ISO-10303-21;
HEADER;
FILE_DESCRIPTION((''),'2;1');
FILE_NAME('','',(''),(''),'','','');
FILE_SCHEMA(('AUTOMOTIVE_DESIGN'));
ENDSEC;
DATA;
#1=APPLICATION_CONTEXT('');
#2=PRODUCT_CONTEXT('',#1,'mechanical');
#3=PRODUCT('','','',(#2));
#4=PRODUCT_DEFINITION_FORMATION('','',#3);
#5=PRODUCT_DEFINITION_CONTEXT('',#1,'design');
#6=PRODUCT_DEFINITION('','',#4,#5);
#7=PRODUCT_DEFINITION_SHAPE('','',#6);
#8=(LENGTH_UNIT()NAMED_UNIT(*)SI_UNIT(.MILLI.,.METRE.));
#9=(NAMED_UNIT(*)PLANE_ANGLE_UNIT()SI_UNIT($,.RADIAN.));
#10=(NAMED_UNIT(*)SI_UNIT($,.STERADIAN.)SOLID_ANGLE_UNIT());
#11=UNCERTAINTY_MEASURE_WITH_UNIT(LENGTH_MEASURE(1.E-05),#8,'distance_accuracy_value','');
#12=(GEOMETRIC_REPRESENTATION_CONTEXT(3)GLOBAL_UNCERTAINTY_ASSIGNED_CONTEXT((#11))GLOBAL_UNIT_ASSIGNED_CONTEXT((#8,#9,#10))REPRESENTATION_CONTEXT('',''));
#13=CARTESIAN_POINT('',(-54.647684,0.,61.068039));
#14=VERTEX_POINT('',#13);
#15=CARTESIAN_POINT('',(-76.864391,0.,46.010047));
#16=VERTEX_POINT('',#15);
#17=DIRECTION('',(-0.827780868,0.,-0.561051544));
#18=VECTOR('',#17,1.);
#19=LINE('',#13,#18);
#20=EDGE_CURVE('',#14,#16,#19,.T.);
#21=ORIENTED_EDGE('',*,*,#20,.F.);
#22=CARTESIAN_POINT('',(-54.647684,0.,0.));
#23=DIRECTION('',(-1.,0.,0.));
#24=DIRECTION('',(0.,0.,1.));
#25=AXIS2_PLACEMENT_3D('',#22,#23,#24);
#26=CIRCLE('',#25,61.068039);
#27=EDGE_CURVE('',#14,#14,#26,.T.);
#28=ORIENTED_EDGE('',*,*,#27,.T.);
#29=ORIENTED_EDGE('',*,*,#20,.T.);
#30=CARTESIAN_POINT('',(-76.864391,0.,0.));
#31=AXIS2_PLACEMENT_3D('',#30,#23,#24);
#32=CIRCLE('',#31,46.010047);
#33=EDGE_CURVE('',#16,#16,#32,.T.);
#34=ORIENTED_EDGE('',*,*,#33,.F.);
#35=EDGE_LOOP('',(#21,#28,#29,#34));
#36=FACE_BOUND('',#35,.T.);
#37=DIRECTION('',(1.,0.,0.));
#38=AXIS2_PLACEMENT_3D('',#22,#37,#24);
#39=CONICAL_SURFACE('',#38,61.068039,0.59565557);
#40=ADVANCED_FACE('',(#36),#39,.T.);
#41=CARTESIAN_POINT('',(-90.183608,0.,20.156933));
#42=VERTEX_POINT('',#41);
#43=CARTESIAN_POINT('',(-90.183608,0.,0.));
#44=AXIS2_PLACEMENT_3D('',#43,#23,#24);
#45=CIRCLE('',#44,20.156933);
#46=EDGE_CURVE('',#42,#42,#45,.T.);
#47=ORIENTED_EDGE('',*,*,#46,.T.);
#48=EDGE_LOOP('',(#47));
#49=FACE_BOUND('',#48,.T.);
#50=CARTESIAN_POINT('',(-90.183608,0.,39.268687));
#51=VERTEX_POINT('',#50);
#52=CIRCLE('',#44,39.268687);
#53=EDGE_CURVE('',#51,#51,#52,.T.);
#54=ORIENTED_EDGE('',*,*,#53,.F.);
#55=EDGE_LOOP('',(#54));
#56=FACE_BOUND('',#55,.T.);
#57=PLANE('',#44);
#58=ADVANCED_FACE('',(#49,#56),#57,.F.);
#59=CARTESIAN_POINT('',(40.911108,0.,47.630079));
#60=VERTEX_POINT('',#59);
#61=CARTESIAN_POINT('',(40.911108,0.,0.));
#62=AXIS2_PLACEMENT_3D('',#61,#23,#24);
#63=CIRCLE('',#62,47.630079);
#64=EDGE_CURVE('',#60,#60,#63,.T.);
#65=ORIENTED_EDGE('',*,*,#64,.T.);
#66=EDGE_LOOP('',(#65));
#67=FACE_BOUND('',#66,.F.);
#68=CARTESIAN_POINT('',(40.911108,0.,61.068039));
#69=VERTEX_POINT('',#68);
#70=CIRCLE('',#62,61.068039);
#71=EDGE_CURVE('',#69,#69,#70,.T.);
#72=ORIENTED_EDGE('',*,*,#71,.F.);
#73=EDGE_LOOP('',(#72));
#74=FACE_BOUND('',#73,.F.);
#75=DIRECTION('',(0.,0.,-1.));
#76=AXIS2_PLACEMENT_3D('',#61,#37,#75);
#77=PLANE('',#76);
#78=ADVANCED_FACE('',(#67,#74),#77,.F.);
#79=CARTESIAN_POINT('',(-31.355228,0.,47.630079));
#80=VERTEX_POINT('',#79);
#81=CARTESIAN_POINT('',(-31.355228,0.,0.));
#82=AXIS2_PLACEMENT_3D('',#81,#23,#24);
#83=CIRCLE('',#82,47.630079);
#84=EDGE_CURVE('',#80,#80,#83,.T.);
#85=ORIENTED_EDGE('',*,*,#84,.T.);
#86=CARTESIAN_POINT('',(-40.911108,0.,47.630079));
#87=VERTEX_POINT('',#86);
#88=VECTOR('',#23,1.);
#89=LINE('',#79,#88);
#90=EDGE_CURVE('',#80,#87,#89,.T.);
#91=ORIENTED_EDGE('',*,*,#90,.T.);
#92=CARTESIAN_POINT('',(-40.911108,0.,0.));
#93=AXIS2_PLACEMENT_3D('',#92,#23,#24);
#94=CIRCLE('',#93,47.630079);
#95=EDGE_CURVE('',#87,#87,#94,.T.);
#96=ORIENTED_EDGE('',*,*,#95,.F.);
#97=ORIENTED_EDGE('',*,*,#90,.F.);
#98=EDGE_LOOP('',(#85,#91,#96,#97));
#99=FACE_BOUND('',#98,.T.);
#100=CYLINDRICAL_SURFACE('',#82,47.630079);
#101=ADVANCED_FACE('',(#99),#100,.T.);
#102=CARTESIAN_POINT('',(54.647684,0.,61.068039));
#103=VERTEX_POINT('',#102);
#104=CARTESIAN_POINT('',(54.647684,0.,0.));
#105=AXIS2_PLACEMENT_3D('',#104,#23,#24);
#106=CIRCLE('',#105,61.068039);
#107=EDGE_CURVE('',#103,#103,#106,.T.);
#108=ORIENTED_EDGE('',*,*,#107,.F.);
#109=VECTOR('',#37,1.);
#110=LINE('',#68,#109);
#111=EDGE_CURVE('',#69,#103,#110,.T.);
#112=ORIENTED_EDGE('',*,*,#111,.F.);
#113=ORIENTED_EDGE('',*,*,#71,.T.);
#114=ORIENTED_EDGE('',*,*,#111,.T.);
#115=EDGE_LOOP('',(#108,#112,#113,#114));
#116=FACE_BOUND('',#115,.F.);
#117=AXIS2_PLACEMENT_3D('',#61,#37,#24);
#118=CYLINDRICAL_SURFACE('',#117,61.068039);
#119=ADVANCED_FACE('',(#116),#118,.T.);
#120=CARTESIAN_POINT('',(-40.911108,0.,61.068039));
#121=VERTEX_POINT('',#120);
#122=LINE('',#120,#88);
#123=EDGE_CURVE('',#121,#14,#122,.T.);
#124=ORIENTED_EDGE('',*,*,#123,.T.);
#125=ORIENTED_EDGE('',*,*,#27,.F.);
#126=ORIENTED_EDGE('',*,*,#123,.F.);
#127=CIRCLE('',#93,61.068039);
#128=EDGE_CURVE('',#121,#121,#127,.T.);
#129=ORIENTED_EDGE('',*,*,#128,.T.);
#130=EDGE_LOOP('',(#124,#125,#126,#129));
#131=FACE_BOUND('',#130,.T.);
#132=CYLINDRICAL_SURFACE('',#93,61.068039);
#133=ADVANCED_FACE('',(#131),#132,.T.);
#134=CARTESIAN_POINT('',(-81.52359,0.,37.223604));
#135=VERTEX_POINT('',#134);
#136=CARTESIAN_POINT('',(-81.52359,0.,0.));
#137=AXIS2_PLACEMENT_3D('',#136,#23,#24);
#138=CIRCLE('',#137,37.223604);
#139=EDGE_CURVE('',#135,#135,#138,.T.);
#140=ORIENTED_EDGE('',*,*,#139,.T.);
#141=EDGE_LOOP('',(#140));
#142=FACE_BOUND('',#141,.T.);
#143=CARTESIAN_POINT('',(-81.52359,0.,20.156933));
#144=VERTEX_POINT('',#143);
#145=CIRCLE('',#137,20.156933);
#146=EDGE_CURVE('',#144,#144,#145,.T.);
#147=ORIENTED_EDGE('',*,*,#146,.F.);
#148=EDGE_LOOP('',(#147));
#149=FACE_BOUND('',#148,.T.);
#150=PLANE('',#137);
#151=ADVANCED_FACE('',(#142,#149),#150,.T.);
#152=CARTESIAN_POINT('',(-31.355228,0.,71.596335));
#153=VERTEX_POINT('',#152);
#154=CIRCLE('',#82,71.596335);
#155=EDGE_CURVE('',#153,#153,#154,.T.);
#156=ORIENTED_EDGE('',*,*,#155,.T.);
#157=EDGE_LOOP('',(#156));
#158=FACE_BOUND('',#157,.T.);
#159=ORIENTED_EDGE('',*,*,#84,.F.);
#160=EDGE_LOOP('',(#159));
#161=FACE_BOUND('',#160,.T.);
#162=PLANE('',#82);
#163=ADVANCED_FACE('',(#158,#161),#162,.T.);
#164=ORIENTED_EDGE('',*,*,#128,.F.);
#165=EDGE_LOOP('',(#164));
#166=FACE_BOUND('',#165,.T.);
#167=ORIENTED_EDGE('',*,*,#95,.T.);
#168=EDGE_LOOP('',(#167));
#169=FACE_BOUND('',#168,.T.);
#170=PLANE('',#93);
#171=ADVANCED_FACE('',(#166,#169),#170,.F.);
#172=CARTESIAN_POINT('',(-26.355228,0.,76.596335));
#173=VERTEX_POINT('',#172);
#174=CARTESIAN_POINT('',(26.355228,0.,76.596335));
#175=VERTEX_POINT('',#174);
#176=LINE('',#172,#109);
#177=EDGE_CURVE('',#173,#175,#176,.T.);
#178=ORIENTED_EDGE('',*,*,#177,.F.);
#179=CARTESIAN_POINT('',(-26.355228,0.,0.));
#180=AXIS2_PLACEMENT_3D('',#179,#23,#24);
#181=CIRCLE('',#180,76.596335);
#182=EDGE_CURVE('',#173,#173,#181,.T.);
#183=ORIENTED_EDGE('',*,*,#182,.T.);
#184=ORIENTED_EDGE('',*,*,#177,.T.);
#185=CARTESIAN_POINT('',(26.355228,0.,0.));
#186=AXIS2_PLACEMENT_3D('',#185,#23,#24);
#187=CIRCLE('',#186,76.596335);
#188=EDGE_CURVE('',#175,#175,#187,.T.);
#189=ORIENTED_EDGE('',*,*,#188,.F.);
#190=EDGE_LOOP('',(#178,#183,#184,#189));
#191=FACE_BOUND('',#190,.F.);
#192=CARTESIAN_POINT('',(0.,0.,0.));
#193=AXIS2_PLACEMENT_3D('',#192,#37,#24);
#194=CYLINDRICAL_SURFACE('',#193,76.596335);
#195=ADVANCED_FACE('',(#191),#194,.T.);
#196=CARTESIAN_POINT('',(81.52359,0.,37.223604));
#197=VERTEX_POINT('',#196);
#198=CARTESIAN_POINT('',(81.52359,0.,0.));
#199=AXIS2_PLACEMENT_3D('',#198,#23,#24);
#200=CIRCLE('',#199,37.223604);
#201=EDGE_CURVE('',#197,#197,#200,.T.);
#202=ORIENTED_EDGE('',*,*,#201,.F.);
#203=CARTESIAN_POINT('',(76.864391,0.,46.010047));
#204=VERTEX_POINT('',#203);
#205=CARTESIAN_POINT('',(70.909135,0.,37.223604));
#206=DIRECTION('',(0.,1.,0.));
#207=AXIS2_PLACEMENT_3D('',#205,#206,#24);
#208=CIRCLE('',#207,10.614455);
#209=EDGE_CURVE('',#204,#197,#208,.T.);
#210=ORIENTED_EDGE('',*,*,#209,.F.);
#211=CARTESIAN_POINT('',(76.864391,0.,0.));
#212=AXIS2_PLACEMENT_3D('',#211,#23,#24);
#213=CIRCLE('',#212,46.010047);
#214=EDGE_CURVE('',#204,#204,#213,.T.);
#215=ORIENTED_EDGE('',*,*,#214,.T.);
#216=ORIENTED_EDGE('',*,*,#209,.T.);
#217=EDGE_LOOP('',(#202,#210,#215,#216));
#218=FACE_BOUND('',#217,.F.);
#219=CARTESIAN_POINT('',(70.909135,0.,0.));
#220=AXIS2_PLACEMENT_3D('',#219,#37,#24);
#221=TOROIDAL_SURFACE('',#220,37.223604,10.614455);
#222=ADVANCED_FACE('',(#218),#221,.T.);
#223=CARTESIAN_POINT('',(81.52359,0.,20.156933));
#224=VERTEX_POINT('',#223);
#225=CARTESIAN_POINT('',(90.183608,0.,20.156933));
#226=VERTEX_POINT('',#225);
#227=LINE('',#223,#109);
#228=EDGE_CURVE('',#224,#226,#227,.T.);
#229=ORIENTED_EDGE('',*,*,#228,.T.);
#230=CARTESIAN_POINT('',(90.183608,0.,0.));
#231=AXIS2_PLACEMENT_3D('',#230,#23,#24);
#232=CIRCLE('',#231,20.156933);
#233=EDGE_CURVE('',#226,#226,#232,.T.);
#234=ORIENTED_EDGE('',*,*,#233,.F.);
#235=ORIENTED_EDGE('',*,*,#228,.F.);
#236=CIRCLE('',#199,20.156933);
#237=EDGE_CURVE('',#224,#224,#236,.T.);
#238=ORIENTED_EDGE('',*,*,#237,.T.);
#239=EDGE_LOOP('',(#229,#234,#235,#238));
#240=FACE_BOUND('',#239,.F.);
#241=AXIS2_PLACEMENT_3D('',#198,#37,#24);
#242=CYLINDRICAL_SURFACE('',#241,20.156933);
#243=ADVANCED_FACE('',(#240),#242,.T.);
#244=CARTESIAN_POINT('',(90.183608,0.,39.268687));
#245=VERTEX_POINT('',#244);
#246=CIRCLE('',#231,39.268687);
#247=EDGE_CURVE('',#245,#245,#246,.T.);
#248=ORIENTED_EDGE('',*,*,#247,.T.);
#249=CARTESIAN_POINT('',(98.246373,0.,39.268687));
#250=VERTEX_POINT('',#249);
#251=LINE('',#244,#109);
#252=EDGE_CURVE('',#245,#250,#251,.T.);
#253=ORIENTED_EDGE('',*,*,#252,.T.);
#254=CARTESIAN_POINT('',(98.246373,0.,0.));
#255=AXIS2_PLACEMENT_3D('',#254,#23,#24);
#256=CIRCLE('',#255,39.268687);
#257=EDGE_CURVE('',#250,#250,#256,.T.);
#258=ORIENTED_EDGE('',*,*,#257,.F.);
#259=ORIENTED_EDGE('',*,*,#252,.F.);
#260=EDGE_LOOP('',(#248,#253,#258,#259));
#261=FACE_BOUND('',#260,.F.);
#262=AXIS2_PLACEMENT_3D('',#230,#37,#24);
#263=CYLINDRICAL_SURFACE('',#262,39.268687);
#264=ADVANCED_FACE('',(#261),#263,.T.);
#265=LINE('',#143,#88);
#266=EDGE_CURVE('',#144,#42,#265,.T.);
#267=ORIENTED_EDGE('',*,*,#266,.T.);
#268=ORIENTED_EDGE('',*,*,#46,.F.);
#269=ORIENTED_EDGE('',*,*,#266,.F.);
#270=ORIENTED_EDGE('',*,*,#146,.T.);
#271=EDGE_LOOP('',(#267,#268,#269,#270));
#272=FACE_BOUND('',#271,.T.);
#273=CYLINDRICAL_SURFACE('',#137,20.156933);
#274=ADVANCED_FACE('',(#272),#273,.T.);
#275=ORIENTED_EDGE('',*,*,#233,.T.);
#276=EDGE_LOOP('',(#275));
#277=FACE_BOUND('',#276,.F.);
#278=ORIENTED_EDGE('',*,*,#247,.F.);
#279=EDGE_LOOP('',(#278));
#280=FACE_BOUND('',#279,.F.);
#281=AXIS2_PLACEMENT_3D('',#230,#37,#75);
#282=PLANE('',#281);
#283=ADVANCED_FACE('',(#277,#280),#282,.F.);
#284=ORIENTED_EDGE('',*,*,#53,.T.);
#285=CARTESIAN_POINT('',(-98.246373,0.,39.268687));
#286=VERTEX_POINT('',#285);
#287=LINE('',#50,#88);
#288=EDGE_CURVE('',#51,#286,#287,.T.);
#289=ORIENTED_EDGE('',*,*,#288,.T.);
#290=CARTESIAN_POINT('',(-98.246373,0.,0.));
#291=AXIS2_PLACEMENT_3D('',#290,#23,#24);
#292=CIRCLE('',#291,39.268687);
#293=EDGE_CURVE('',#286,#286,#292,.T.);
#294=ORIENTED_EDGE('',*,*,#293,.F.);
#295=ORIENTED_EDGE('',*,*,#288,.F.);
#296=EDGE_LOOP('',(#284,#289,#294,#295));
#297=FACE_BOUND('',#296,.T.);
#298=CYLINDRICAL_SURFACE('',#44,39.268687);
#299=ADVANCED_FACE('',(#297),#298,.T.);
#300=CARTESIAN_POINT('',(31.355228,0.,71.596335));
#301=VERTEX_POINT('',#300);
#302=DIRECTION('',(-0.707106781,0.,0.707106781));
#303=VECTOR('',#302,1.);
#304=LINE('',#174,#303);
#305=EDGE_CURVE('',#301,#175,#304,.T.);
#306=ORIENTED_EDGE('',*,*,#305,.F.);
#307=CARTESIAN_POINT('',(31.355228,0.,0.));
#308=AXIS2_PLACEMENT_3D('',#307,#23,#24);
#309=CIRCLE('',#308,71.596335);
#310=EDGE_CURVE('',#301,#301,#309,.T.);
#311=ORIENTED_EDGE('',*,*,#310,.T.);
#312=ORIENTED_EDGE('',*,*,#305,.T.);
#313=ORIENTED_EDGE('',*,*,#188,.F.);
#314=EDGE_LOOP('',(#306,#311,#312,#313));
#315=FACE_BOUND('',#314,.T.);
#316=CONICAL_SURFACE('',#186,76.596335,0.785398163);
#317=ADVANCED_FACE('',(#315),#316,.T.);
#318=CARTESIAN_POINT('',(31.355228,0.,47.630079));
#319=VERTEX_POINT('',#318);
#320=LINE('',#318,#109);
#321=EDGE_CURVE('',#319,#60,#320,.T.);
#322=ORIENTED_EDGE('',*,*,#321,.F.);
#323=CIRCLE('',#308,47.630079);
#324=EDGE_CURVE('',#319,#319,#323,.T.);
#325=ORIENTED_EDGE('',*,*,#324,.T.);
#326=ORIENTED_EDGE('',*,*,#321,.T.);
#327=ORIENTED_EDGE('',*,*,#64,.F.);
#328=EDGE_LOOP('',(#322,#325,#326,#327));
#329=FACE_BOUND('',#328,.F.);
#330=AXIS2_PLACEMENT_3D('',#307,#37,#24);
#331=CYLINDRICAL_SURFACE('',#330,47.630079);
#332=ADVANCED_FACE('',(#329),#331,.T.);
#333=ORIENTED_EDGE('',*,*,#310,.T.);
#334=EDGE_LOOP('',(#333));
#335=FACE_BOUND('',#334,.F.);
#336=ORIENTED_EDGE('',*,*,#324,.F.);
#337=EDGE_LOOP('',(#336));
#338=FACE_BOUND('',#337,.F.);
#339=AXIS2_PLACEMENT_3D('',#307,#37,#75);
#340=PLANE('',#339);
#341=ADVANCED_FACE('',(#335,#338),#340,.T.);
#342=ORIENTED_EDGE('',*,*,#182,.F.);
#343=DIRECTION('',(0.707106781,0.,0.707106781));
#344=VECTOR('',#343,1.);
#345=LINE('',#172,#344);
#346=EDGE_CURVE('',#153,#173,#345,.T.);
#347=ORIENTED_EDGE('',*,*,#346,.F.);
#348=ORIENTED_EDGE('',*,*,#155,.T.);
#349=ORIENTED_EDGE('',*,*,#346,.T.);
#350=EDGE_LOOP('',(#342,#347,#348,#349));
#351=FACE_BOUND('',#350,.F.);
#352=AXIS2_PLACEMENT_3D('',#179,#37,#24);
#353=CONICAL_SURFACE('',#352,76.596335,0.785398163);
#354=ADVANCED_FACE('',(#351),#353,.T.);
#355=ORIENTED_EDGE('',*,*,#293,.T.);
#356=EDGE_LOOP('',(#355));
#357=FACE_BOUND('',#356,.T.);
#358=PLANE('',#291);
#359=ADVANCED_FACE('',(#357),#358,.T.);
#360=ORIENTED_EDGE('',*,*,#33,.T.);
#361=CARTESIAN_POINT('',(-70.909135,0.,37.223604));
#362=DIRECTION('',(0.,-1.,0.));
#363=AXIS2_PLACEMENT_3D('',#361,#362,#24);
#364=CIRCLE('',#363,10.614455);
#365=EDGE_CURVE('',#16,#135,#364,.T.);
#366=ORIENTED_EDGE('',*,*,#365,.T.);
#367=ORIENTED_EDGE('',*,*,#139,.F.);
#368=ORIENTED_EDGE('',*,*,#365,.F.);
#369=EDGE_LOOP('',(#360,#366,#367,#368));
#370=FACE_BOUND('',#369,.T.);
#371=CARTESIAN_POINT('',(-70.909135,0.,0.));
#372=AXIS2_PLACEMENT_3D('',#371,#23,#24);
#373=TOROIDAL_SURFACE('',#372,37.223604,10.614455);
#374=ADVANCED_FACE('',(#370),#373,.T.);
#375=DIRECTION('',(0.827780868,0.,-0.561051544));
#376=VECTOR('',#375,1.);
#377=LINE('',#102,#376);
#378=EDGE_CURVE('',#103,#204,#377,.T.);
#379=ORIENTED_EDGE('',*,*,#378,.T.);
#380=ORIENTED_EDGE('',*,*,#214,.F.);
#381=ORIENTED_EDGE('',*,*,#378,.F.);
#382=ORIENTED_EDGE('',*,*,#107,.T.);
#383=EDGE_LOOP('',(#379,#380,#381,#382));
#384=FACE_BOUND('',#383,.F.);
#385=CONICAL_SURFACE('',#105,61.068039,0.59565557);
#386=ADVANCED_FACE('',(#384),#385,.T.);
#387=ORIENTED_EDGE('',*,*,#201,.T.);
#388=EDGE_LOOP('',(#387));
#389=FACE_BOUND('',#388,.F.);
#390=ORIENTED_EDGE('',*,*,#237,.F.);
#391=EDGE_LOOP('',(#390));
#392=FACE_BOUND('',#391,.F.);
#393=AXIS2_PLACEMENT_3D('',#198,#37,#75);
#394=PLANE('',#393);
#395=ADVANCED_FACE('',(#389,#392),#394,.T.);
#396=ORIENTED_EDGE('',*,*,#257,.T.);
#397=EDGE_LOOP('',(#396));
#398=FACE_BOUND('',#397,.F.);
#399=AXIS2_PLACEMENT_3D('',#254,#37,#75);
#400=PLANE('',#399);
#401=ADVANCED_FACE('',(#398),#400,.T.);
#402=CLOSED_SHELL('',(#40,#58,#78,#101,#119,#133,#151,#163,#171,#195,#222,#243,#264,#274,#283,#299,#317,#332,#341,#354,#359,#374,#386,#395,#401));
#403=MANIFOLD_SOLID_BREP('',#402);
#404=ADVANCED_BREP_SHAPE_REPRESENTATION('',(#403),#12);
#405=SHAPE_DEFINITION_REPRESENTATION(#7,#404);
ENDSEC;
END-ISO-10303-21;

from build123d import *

# Parameters (mm, degrees)
F2_R    = 10.614455
F3_SIZE = 5


with BuildPart() as f1:
    # F0 (on Front) → F1 (revolve)
    with BuildSketch(Plane.XZ):
        Polygon((-98.246373, 0), (0, 0), (0, 76.596335), (-31.355228, 76.596335), (-31.355228, 47.630079), (-40.911108, 47.630079), (-40.911108, 61.068039), (-54.647684, 61.068039), (-81.52359, 42.852145), (-81.52359, 20.156933), (-90.183608, 20.156933), (-90.183608, 39.268687), (-98.246373, 39.268687), align=None)
    revolve(axis=Axis((-49.123187, 0, 0), (-1, 0, 0)))

    # F2
    f2_edges = [f1.edges().sort_by_distance(p)[0] for p in [
        (-81.52359, 0, -42.852145),
    ]]
    fillet(f2_edges, radius=F2_R)

    # F3
    f3_edges = [f1.edges().sort_by_distance(p)[0] for p in [
        (-31.355228, 0, -76.596335),
    ]]
    chamfer(f3_edges, length=F3_SIZE)

    # F4: F1 across face


with BuildPart() as f1_1:
    add(f1.part)
    add(f1.part.mirror(Plane.YZ))

    # F5: F1 across plane


with BuildPart() as f1_2:
    add(f1_1.part)
    add(f1_1.part.mirror(Plane.YZ))


solid = f1_2.part
